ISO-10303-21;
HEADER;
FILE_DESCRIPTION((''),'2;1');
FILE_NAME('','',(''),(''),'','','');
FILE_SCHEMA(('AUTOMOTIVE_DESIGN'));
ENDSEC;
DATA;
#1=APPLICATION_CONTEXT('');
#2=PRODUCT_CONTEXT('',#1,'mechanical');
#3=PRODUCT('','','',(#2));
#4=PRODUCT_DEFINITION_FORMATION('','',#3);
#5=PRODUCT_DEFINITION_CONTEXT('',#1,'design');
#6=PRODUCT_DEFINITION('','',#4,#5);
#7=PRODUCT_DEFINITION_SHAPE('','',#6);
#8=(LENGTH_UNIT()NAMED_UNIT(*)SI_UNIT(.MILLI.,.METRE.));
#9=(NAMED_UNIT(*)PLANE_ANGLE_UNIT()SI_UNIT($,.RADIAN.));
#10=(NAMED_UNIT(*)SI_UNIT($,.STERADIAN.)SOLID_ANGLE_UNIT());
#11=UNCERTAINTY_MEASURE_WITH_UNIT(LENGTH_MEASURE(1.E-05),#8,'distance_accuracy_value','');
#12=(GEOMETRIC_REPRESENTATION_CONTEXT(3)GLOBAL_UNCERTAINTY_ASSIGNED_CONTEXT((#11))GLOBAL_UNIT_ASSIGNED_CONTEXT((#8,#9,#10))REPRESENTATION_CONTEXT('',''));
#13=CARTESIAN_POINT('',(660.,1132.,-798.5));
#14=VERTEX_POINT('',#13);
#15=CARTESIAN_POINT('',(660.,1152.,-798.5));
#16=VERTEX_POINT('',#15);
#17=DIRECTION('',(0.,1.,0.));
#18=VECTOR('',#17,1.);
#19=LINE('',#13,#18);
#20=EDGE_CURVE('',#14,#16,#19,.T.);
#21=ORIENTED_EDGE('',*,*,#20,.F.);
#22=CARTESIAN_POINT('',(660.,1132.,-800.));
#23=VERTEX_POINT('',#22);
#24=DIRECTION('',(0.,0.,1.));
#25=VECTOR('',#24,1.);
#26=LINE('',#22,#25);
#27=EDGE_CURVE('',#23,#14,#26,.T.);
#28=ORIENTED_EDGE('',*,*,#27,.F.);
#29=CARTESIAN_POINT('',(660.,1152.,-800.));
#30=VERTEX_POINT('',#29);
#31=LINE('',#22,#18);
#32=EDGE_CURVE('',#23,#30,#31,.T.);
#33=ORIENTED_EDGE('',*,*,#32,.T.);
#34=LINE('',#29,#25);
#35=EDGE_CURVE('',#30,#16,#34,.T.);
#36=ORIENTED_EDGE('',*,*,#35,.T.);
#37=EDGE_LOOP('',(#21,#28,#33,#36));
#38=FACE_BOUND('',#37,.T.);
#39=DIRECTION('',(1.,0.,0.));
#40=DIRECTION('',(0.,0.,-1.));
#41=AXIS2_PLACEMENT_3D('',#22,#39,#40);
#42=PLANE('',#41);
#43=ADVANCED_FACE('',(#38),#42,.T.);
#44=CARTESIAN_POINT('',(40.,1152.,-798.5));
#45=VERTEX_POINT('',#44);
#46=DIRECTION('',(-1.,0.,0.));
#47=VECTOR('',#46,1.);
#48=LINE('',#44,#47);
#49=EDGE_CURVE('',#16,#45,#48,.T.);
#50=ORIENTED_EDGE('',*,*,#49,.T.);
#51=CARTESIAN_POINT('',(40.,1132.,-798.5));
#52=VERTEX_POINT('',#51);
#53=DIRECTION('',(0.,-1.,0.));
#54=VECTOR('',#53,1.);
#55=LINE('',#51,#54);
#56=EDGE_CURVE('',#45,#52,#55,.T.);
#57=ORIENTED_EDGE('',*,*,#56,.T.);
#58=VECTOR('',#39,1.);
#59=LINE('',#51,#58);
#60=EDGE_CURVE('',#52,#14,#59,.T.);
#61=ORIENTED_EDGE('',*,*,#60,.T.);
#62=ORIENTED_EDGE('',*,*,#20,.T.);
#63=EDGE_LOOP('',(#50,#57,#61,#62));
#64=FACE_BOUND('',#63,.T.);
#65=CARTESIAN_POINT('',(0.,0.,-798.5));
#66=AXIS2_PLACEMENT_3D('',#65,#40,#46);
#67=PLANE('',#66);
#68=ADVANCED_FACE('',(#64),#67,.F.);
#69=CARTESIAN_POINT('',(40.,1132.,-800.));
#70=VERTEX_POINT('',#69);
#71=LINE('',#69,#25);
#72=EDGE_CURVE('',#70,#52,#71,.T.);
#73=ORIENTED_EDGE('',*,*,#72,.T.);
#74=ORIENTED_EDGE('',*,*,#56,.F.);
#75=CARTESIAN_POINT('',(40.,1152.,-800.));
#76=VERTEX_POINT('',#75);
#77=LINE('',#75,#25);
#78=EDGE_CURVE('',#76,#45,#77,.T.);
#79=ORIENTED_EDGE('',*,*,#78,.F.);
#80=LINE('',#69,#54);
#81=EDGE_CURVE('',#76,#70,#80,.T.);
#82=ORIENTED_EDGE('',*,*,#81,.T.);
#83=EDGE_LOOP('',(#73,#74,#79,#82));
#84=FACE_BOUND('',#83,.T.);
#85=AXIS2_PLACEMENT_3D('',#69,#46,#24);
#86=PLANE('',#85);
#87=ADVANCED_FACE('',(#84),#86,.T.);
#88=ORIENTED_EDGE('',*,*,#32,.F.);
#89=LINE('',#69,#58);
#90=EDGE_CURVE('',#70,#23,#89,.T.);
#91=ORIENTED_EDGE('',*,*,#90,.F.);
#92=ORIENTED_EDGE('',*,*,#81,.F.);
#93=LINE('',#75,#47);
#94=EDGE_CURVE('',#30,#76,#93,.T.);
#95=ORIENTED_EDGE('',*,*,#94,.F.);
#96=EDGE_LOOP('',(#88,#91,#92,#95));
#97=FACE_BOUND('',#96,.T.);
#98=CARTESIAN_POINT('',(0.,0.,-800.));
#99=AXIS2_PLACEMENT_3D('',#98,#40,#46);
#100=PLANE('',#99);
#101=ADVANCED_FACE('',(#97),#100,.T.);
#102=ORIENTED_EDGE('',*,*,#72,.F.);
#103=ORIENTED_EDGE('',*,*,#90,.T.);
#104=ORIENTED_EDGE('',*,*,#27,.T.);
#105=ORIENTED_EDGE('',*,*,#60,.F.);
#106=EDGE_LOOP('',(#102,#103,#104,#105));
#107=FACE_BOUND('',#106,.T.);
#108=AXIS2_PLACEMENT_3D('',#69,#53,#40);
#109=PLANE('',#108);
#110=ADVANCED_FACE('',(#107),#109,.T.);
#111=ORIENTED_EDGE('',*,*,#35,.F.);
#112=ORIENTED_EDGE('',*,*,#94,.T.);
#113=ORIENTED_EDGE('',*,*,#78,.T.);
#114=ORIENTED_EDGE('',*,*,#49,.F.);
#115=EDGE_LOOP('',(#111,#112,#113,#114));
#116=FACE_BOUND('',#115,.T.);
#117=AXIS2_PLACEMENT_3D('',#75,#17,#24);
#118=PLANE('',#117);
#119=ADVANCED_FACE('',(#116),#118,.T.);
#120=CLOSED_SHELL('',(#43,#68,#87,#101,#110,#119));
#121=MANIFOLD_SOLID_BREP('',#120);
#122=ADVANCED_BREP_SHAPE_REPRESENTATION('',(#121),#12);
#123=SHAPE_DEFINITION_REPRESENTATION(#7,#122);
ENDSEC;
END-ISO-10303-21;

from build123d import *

# Parameters (mm, degrees)
PRESS_UC_RAFI_RAF_BUK_ARKA_1_START = -798.5
SKETCH1_W                          = 620
SKETCH1_H                          = 20
PRESS_UC_RAFI_RAF_BUK_ARKA_1_DEPTH = 1.5


with BuildPart() as part:
    # Sketch1 → PRESS_uc_rafi_raf_buk_arka_1 (new body)
    with BuildSketch(Plane.XY.offset(PRESS_UC_RAFI_RAF_BUK_ARKA_1_START)):
        with Locations((350, 1142)):
            Rectangle(SKETCH1_W, SKETCH1_H)
    extrude(amount=-PRESS_UC_RAFI_RAF_BUK_ARKA_1_DEPTH)


solid = part.part
